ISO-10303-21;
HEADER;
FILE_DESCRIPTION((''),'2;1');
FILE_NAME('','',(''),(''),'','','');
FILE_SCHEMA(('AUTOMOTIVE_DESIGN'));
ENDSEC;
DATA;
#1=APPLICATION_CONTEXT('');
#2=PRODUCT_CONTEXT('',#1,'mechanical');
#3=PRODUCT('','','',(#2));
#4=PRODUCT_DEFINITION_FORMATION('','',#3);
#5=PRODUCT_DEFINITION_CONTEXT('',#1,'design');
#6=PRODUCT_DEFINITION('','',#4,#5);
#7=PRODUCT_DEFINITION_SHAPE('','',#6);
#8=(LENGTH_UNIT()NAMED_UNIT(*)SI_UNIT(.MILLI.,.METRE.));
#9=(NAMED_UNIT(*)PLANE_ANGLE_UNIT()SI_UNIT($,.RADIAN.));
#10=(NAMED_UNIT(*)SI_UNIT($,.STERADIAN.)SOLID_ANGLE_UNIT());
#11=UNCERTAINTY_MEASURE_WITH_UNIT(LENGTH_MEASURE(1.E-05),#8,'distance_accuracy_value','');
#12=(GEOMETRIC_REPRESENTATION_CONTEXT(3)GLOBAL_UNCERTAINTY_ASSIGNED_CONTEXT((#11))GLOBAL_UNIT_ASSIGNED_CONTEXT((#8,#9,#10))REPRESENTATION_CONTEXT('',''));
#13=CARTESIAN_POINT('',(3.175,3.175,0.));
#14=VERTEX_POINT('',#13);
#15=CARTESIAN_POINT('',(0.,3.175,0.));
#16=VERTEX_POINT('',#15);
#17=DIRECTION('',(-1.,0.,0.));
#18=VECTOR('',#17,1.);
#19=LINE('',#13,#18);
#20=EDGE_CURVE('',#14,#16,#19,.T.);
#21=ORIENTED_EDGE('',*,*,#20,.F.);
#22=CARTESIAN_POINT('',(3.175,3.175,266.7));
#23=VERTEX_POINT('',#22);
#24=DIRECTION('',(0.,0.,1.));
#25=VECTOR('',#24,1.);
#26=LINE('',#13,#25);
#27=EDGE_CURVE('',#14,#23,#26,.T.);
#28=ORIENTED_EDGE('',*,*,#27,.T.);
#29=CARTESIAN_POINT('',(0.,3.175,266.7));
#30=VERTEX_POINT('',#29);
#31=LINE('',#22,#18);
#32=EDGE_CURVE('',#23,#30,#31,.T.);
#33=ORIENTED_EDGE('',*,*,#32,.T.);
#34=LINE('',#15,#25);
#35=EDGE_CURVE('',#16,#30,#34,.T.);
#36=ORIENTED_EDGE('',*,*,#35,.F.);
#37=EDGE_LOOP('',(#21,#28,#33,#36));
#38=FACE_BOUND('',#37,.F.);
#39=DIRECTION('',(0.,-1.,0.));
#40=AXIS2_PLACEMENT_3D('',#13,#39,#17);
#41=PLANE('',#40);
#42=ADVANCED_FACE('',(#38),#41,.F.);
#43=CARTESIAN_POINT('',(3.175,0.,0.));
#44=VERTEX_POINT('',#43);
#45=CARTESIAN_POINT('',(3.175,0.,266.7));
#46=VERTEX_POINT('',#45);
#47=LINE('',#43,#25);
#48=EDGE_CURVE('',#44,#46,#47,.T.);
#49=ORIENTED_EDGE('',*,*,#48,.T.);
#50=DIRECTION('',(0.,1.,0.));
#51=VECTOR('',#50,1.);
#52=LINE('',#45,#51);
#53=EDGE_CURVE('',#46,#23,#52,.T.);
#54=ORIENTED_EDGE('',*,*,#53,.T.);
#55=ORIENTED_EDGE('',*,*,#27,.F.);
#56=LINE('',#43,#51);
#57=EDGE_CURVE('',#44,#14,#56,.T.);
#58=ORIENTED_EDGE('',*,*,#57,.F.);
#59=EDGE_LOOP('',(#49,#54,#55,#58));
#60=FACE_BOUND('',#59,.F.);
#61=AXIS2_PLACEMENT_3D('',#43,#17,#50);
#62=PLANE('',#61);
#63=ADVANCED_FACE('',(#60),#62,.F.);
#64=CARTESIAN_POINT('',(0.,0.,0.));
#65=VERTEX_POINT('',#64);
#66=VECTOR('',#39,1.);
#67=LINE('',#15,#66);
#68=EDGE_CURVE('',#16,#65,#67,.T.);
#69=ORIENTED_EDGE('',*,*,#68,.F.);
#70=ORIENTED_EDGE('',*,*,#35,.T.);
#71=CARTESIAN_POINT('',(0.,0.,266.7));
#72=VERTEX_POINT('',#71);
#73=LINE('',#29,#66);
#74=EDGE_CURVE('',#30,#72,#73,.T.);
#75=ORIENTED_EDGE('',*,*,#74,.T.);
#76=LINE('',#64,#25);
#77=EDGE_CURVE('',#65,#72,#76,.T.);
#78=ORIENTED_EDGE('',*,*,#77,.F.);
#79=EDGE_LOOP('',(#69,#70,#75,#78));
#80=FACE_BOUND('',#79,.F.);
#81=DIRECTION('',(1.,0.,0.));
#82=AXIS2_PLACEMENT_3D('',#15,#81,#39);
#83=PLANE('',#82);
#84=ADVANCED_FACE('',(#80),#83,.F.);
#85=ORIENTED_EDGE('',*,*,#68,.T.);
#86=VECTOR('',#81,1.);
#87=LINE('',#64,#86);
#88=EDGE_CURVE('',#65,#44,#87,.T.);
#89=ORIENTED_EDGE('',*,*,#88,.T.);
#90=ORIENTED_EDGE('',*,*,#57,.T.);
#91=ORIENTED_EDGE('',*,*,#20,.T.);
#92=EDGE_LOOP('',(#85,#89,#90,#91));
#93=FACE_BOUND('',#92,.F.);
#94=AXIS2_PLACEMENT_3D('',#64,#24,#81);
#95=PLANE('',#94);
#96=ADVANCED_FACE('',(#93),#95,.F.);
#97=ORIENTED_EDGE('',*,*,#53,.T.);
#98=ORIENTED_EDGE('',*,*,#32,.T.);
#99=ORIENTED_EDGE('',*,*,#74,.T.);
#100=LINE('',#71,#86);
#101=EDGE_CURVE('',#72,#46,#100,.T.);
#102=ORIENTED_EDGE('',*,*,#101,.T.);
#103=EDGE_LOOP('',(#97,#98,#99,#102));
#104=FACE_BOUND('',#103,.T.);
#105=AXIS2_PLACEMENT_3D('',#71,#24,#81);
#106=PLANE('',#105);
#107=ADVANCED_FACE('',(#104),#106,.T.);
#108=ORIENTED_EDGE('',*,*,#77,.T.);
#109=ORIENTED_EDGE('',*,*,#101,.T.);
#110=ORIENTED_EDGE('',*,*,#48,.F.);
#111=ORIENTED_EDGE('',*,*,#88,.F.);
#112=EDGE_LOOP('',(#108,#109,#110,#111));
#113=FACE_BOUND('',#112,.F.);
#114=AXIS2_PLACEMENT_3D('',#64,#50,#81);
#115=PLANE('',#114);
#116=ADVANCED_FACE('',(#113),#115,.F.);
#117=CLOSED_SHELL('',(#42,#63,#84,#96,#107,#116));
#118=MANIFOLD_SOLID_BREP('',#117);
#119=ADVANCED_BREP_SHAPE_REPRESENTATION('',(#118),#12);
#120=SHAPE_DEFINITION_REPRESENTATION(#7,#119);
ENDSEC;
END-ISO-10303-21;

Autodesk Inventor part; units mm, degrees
ref_plane "YZ Plane" through (0, 0, 0) normal (1, 0, 0) x (0, 1, 0)
ref_plane "XZ Plane" through (0, 0, 0) normal (0, 1, 0) x (-1, 0, 0)
ref_plane "XY Plane" through (0, 0, 0) normal (0, 0, 1) x (1, 0, 0)
sketch "Sketch1" plane through (0, 0, 0) normal (0, 0, 1) x (1, 0, 0)
  line L0 (0, 0) -> (3.175, 0)
  line L1 (3.175, 0) -> (3.175, 3.175)
  line L2 (3.175, 3.175) -> (0, 3.175)
  line L3 (0, 3.175) -> (0, 0)
  dimension "d0" = 3.175
  dimension "d1" = 3.175
extrude "Extrusion1" add sketch "Sketch1" along normal blind 266.7
properties part number "RobotGen1NumberStand"
